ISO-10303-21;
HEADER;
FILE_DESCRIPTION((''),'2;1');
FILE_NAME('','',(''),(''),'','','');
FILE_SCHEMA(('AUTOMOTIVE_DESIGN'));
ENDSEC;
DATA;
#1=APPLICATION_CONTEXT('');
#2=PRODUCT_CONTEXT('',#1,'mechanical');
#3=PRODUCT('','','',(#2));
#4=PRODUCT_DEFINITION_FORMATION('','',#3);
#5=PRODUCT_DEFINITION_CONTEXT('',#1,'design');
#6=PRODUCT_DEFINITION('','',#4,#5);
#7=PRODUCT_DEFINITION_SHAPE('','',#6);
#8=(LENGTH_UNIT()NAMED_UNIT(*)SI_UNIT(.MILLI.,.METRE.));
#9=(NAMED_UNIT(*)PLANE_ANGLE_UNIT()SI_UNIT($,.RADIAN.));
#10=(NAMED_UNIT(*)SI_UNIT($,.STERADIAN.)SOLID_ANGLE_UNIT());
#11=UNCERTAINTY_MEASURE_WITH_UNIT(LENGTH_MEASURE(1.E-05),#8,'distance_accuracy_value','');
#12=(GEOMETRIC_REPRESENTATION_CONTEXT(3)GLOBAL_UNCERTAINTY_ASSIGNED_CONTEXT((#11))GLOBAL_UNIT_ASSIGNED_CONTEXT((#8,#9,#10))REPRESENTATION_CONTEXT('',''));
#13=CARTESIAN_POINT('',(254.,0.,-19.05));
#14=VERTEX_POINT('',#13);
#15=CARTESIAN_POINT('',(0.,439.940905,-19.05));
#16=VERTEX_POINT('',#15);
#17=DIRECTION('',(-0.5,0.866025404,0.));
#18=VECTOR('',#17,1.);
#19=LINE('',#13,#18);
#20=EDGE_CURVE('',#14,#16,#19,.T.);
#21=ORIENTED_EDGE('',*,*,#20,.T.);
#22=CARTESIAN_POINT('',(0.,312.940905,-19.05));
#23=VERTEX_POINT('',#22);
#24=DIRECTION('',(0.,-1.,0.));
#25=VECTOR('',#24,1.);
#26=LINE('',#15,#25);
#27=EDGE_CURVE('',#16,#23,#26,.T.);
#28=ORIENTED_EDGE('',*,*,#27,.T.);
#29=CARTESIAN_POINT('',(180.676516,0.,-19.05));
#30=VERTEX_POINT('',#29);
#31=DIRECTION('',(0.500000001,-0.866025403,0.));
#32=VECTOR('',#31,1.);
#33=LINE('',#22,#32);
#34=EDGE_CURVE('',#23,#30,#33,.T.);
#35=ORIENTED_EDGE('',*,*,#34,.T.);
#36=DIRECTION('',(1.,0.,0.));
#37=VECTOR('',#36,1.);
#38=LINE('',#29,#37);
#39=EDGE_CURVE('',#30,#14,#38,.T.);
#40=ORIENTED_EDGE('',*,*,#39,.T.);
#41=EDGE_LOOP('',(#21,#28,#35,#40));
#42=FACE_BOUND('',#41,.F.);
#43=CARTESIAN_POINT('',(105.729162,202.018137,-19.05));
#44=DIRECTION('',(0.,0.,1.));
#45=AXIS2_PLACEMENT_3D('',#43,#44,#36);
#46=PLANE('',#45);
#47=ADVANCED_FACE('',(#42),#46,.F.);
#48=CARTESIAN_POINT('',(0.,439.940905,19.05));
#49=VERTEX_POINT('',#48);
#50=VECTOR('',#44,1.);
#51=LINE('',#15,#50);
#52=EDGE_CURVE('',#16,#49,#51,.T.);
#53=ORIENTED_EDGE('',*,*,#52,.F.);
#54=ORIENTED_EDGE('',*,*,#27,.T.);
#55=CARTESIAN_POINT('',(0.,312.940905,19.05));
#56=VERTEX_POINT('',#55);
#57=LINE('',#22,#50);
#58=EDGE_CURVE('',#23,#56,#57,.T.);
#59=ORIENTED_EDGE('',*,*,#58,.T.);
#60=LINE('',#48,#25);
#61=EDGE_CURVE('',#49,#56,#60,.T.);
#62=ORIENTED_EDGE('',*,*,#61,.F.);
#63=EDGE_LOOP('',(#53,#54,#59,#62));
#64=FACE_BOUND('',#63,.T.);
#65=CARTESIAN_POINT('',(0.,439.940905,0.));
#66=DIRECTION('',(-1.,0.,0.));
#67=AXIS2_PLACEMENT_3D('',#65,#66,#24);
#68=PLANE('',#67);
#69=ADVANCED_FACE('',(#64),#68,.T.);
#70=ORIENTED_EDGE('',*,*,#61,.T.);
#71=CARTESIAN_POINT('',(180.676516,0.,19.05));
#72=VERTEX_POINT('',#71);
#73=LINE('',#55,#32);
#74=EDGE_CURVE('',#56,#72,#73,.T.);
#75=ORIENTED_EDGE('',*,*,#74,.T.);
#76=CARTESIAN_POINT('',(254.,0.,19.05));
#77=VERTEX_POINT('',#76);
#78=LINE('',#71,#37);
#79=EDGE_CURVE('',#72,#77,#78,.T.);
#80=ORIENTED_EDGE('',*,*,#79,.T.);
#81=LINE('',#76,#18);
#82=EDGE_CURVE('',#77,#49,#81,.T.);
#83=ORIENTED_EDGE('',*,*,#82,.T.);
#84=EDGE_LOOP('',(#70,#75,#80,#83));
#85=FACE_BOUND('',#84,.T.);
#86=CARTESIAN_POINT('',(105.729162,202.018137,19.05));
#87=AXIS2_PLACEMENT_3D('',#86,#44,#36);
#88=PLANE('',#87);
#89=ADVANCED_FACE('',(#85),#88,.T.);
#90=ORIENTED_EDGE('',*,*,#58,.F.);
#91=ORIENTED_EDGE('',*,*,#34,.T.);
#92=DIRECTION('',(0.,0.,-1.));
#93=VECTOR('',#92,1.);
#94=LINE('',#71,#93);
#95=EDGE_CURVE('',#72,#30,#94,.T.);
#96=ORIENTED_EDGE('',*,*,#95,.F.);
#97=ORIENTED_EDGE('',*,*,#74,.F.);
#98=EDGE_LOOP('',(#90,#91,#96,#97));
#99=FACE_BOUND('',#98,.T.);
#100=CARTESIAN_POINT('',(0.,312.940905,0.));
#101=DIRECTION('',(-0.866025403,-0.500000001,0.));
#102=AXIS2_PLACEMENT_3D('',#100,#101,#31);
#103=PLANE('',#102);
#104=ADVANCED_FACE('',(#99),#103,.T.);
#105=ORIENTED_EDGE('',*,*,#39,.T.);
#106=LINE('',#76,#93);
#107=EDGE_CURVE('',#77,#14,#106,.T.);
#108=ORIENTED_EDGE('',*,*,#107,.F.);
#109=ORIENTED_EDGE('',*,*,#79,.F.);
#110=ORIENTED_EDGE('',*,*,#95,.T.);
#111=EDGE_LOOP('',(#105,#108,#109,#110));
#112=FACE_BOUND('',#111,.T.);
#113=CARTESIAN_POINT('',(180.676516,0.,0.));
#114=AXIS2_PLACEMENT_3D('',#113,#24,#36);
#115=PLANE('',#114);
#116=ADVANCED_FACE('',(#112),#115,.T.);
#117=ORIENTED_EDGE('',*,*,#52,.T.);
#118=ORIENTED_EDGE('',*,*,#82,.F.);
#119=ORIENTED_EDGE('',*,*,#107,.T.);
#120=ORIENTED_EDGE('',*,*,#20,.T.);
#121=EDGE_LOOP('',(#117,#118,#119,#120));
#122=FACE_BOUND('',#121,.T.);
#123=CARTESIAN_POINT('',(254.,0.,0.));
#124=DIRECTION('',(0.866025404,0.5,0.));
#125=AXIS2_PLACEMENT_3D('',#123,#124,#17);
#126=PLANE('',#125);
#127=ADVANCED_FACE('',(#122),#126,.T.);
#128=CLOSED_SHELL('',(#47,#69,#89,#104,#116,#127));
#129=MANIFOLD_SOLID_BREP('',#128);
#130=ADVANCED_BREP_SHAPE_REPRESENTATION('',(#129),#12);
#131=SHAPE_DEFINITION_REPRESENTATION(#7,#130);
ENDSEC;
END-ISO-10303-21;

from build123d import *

# Parameters (mm, degrees)
F1_DEPTH = 19.05


with BuildPart() as f1:
    # F0 (on Top) → F1 (new body, symmetric)
    with BuildSketch(Plane.XY):
        Polygon((254, 0), (0, 439.940905), (0, 312.940905), (180.676516, 0), align=None)
    extrude(amount=F1_DEPTH, both=True)


solid = f1.part
